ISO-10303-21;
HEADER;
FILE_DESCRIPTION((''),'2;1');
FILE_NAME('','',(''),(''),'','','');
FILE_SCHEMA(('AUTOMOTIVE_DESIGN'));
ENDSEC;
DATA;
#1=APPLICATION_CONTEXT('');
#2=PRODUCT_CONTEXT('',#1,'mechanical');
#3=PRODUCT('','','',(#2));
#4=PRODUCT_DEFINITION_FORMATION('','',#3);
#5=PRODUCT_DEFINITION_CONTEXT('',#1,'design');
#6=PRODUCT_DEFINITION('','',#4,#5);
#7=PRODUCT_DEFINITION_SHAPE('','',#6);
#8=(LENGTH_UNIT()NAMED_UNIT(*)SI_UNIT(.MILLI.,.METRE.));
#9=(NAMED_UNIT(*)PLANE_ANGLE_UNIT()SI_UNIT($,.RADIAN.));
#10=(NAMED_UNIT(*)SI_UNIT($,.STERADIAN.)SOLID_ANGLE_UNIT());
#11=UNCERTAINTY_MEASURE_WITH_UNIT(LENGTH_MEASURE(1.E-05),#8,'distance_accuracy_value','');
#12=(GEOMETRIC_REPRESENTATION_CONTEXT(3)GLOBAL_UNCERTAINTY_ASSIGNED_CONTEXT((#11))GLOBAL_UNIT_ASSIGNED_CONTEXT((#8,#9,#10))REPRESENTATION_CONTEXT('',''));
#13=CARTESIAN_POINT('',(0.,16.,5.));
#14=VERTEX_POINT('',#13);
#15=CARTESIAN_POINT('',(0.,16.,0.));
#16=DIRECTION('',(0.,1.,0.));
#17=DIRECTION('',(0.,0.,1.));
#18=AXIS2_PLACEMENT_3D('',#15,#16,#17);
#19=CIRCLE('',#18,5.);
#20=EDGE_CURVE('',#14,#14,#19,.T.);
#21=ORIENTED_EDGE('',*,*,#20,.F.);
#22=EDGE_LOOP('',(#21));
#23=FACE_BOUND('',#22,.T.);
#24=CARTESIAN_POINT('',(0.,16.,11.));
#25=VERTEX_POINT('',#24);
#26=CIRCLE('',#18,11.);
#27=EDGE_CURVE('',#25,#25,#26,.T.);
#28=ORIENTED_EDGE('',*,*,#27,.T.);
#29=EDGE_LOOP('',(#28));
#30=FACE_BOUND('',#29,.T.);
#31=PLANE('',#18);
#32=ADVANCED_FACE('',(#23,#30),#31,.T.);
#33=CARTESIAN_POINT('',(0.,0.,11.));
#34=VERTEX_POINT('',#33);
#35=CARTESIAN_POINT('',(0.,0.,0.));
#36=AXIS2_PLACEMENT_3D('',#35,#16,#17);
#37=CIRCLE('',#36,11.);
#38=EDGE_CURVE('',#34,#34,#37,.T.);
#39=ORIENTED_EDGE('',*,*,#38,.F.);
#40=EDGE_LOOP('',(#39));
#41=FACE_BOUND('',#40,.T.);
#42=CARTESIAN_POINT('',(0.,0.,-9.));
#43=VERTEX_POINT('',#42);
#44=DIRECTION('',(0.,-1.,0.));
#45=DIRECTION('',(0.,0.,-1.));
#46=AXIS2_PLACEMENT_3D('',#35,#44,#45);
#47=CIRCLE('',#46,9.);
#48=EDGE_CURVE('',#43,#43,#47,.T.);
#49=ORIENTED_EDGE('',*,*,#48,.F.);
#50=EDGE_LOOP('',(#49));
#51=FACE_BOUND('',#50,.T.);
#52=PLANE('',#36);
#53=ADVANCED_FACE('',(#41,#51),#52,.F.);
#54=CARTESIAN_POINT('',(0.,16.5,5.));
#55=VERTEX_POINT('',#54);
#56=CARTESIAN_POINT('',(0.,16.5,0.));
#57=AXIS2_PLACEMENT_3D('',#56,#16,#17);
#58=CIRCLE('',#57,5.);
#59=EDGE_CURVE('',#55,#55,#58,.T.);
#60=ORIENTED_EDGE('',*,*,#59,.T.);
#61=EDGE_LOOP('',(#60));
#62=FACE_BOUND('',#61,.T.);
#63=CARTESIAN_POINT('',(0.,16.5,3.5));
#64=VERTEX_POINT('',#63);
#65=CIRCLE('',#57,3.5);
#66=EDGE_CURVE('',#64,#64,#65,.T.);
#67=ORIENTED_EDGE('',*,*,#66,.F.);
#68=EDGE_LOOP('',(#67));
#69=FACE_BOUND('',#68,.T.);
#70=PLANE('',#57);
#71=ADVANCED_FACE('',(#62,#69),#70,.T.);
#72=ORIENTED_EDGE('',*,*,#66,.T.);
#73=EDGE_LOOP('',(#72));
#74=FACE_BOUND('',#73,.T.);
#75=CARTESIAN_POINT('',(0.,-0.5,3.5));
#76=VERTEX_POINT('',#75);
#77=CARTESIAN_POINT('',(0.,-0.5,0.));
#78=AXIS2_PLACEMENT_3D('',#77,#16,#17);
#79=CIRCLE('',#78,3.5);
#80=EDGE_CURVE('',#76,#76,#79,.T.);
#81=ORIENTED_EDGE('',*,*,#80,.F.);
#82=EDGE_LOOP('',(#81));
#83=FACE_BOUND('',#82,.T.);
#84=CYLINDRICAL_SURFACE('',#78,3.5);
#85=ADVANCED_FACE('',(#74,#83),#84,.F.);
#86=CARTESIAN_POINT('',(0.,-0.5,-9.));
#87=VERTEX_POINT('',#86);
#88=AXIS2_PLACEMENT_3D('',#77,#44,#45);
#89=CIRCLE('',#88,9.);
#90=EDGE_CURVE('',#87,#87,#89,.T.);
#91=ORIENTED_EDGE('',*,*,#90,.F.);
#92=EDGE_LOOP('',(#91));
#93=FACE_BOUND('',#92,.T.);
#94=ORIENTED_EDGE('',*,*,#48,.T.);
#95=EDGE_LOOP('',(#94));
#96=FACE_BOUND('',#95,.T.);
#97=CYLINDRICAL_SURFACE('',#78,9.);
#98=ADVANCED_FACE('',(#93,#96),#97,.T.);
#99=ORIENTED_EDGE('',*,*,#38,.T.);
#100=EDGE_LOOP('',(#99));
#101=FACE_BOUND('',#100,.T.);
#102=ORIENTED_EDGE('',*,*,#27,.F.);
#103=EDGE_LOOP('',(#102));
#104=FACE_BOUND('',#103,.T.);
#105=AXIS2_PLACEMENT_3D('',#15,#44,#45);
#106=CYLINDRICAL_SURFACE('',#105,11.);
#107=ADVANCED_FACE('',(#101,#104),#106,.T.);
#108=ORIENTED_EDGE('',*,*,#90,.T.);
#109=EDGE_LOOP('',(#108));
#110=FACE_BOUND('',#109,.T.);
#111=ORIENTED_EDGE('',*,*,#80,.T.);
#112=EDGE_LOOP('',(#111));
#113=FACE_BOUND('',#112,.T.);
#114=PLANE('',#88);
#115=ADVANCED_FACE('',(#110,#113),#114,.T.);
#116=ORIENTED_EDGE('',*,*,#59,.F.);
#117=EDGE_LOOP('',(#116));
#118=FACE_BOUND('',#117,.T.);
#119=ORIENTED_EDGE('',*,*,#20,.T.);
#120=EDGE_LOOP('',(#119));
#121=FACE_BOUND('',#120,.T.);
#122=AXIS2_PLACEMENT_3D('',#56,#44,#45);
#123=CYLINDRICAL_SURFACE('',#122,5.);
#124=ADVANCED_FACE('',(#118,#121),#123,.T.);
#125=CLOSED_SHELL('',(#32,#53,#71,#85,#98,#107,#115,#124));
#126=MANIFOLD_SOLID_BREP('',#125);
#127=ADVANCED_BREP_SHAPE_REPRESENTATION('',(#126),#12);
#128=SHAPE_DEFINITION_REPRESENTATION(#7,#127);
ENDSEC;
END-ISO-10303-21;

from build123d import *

# Parameters (mm, degrees)
SKETCH1_R           = 11
BOSS_EXTRUDE1_DEPTH = 16
SKETCH2_R           = 5
BOSS_EXTRUDE2_DEPTH = 0.5
SKETCH3_R           = 9
BOSS_EXTRUDE3_DEPTH = 0.5
SKETCH4_R           = 3.5
CUT_EXTRUDE1_DEPTH  = 18


with BuildPart() as part:
    # Sketch1 → Boss-Extrude1 (new body)
    with BuildSketch(Plane(origin=(0, 0, 0), x_dir=(1, 0, 0), z_dir=(0, 1, 0))):
        Circle(SKETCH1_R)
    extrude(amount=BOSS_EXTRUDE1_DEPTH)

    # Sketch2 → Boss-Extrude2 (add)
    with BuildSketch(Plane(origin=(0, 16, 0), x_dir=(1, 0, 0), z_dir=(0, 1, 0))):
        Circle(SKETCH2_R)
    extrude(amount=BOSS_EXTRUDE2_DEPTH)

    # Sketch3 → Boss-Extrude3 (add)
    with BuildSketch(Plane.XZ):
        Circle(SKETCH3_R)
    extrude(amount=BOSS_EXTRUDE3_DEPTH)

    # Sketch4 → Cut-Extrude1 (cut, through all)
    with BuildSketch(Plane(origin=(0, 16.5, 0), x_dir=(1, 0, 0), z_dir=(0, 1, 0))):
        Circle(SKETCH4_R)
    extrude(amount=-CUT_EXTRUDE1_DEPTH, mode=Mode.SUBTRACT)


solid = part.part
